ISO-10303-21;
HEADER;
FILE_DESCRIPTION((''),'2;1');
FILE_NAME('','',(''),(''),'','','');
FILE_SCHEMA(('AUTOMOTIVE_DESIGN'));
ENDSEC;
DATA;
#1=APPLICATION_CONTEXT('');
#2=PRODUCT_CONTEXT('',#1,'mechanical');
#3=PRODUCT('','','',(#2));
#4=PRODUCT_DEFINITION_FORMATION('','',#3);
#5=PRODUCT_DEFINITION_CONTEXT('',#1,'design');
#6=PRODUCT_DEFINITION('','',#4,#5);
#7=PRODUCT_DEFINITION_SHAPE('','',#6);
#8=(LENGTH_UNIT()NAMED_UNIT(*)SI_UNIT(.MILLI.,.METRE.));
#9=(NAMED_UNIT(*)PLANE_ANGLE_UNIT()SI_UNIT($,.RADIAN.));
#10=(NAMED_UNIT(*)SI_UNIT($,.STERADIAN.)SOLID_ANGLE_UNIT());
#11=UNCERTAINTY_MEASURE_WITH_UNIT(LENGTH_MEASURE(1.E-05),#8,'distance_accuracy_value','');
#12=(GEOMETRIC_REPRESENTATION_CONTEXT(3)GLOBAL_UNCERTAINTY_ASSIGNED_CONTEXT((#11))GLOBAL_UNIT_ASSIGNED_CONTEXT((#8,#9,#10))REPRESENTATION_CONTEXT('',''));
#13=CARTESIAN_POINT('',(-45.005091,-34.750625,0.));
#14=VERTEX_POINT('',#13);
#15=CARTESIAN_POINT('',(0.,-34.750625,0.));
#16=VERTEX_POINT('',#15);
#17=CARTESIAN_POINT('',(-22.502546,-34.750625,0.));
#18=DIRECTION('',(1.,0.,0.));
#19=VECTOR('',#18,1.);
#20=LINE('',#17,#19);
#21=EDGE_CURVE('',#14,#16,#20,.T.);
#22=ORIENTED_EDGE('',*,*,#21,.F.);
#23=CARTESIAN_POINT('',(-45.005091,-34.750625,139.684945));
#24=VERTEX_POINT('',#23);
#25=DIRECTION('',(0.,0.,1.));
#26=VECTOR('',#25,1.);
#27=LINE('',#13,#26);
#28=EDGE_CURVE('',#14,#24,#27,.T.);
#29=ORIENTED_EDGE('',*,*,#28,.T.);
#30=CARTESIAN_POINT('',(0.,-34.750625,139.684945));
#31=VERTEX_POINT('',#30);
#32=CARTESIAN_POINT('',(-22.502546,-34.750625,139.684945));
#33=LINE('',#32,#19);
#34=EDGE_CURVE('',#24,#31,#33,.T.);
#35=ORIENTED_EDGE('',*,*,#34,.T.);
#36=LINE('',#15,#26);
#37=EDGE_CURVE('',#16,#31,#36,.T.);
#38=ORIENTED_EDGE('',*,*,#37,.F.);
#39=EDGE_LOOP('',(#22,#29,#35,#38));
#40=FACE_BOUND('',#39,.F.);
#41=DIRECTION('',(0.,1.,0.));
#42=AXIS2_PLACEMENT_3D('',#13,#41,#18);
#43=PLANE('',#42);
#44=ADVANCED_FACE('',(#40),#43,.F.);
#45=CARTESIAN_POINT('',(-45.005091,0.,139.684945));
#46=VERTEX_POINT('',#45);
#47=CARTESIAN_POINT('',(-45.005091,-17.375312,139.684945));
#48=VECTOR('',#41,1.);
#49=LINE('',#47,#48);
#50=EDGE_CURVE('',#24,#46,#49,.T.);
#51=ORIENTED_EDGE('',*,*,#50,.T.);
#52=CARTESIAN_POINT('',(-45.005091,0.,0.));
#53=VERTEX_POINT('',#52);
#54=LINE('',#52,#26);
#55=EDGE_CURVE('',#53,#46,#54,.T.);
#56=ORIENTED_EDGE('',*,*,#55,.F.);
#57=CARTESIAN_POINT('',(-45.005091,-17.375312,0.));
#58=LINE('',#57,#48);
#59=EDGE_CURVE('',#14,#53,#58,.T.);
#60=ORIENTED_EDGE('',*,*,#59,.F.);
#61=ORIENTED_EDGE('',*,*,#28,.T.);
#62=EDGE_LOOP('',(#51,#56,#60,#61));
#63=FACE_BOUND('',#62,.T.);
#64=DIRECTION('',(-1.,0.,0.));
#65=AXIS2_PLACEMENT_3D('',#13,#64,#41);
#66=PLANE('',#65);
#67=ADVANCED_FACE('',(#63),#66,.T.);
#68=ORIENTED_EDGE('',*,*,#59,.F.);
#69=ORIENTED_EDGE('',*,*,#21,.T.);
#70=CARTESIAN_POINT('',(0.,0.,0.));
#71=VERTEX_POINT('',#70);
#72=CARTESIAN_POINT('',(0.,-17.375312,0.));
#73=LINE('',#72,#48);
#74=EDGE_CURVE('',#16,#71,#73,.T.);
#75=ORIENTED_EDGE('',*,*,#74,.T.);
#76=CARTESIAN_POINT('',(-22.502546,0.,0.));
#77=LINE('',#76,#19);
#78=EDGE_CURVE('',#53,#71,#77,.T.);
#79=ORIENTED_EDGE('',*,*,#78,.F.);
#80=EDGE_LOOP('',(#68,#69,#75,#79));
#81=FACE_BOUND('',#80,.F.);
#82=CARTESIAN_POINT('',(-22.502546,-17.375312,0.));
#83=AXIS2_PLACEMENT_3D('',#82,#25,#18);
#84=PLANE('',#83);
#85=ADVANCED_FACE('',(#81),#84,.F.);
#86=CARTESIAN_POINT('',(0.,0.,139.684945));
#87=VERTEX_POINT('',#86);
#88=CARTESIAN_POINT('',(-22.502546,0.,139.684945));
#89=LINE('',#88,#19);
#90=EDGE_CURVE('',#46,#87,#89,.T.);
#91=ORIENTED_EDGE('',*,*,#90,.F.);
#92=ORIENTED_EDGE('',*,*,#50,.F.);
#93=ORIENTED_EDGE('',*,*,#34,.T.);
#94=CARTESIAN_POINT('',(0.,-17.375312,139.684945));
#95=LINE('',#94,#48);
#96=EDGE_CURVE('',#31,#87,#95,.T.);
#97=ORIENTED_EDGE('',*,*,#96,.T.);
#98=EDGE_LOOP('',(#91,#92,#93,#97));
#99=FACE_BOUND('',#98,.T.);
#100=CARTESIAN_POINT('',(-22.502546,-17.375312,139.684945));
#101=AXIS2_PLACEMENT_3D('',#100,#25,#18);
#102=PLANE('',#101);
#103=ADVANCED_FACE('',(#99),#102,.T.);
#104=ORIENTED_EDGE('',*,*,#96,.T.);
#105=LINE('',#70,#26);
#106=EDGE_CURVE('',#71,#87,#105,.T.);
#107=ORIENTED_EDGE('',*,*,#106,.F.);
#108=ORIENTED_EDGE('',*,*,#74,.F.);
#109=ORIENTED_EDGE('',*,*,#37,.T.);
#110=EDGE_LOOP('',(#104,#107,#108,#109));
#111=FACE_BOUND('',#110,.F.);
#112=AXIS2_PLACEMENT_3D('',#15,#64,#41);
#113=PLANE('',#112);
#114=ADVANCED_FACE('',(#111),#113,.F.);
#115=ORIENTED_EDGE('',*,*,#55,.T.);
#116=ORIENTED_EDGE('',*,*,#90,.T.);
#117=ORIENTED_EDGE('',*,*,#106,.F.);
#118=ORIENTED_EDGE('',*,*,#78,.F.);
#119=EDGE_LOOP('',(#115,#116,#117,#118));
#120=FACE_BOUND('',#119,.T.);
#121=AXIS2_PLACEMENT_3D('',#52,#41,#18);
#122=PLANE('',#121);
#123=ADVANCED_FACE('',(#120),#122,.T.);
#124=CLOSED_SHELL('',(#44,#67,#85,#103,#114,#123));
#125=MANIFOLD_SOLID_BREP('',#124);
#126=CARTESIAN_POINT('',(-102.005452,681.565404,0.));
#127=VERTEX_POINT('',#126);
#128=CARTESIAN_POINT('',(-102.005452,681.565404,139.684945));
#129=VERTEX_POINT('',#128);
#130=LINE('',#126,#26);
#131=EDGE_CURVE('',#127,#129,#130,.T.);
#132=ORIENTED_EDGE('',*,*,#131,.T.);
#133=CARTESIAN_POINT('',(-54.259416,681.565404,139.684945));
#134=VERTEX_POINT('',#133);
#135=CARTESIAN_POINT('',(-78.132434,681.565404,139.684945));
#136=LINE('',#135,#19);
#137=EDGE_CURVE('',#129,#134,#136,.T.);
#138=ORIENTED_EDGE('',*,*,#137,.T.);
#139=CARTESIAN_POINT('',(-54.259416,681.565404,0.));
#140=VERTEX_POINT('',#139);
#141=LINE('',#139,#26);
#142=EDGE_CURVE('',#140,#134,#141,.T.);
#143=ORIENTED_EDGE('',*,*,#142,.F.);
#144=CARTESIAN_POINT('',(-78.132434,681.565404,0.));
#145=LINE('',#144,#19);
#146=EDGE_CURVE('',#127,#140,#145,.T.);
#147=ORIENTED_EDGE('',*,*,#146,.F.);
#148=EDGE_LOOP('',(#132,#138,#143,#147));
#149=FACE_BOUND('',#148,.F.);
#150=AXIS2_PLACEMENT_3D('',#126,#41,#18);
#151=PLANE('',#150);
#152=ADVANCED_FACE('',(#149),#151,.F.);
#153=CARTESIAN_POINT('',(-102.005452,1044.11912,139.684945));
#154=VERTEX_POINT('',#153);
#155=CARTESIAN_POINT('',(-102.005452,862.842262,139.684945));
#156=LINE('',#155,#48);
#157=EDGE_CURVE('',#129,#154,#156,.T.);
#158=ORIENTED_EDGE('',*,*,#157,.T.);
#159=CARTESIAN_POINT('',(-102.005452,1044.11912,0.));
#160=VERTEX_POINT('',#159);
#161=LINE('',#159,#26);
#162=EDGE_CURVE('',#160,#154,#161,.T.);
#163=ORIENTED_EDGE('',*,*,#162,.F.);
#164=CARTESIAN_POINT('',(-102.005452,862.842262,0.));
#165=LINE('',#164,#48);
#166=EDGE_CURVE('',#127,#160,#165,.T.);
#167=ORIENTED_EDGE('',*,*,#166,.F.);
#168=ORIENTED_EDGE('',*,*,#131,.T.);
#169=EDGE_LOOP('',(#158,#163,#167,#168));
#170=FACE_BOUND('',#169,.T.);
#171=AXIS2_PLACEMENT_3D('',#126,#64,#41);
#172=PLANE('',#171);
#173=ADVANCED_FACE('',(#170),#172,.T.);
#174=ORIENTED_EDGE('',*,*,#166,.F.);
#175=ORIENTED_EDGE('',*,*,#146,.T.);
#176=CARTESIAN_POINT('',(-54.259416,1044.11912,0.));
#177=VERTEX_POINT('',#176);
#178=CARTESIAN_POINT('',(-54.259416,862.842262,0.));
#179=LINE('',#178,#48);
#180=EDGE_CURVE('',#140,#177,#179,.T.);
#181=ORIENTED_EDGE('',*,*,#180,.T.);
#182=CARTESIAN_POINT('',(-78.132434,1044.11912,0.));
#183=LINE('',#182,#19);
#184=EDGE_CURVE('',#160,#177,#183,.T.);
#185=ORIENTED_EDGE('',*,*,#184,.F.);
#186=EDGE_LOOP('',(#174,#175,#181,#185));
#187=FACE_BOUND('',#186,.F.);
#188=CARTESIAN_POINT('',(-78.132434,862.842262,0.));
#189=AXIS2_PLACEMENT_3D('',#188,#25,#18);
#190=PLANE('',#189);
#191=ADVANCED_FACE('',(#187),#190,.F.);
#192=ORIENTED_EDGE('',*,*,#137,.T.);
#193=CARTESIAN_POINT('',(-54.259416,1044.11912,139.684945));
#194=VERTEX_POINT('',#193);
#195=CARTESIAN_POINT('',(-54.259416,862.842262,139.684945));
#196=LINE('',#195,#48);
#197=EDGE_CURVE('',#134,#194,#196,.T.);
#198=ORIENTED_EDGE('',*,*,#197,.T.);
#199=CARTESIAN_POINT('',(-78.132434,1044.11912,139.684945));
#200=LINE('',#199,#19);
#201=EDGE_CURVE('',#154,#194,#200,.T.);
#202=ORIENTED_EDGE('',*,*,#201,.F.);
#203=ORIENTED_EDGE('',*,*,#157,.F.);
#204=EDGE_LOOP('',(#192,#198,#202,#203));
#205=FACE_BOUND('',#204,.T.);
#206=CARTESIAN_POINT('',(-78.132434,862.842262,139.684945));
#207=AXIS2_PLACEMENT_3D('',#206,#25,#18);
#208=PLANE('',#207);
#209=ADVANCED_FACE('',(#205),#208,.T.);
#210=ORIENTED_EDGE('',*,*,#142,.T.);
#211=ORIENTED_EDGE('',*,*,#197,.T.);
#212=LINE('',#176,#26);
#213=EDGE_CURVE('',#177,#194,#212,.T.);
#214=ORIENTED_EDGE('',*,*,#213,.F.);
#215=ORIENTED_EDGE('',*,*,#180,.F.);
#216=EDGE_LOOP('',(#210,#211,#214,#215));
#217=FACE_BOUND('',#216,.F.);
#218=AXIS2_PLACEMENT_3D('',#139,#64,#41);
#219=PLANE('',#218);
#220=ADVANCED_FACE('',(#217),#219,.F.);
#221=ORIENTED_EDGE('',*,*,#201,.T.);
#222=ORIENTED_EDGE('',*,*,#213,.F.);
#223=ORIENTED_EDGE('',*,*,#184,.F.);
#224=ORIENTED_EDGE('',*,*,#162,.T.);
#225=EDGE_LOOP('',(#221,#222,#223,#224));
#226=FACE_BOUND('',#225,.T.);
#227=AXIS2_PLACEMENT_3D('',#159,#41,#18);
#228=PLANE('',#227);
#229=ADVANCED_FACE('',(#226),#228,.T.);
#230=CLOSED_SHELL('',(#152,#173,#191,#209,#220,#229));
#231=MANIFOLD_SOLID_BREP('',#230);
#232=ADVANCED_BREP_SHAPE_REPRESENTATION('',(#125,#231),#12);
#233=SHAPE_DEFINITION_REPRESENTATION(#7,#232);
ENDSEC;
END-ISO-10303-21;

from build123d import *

# Parameters (mm, degrees)
F0_W     = 47.746036
F0_H     = 362.553716
F0_W_2   = 45.005091
F0_H_2   = 34.750625
F1_DEPTH = 139.684945


with BuildPart() as f1:
    # F0 (on Top) → F1 (new body)
    with BuildSketch(Plane.XY):
        with Locations((-78.132434, 862.842262)):
            Rectangle(F0_W, F0_H)
        with Locations((-22.502546, -17.375312)):
            Rectangle(F0_W_2, F0_H_2)
    extrude(amount=F1_DEPTH)


solid = f1.part
